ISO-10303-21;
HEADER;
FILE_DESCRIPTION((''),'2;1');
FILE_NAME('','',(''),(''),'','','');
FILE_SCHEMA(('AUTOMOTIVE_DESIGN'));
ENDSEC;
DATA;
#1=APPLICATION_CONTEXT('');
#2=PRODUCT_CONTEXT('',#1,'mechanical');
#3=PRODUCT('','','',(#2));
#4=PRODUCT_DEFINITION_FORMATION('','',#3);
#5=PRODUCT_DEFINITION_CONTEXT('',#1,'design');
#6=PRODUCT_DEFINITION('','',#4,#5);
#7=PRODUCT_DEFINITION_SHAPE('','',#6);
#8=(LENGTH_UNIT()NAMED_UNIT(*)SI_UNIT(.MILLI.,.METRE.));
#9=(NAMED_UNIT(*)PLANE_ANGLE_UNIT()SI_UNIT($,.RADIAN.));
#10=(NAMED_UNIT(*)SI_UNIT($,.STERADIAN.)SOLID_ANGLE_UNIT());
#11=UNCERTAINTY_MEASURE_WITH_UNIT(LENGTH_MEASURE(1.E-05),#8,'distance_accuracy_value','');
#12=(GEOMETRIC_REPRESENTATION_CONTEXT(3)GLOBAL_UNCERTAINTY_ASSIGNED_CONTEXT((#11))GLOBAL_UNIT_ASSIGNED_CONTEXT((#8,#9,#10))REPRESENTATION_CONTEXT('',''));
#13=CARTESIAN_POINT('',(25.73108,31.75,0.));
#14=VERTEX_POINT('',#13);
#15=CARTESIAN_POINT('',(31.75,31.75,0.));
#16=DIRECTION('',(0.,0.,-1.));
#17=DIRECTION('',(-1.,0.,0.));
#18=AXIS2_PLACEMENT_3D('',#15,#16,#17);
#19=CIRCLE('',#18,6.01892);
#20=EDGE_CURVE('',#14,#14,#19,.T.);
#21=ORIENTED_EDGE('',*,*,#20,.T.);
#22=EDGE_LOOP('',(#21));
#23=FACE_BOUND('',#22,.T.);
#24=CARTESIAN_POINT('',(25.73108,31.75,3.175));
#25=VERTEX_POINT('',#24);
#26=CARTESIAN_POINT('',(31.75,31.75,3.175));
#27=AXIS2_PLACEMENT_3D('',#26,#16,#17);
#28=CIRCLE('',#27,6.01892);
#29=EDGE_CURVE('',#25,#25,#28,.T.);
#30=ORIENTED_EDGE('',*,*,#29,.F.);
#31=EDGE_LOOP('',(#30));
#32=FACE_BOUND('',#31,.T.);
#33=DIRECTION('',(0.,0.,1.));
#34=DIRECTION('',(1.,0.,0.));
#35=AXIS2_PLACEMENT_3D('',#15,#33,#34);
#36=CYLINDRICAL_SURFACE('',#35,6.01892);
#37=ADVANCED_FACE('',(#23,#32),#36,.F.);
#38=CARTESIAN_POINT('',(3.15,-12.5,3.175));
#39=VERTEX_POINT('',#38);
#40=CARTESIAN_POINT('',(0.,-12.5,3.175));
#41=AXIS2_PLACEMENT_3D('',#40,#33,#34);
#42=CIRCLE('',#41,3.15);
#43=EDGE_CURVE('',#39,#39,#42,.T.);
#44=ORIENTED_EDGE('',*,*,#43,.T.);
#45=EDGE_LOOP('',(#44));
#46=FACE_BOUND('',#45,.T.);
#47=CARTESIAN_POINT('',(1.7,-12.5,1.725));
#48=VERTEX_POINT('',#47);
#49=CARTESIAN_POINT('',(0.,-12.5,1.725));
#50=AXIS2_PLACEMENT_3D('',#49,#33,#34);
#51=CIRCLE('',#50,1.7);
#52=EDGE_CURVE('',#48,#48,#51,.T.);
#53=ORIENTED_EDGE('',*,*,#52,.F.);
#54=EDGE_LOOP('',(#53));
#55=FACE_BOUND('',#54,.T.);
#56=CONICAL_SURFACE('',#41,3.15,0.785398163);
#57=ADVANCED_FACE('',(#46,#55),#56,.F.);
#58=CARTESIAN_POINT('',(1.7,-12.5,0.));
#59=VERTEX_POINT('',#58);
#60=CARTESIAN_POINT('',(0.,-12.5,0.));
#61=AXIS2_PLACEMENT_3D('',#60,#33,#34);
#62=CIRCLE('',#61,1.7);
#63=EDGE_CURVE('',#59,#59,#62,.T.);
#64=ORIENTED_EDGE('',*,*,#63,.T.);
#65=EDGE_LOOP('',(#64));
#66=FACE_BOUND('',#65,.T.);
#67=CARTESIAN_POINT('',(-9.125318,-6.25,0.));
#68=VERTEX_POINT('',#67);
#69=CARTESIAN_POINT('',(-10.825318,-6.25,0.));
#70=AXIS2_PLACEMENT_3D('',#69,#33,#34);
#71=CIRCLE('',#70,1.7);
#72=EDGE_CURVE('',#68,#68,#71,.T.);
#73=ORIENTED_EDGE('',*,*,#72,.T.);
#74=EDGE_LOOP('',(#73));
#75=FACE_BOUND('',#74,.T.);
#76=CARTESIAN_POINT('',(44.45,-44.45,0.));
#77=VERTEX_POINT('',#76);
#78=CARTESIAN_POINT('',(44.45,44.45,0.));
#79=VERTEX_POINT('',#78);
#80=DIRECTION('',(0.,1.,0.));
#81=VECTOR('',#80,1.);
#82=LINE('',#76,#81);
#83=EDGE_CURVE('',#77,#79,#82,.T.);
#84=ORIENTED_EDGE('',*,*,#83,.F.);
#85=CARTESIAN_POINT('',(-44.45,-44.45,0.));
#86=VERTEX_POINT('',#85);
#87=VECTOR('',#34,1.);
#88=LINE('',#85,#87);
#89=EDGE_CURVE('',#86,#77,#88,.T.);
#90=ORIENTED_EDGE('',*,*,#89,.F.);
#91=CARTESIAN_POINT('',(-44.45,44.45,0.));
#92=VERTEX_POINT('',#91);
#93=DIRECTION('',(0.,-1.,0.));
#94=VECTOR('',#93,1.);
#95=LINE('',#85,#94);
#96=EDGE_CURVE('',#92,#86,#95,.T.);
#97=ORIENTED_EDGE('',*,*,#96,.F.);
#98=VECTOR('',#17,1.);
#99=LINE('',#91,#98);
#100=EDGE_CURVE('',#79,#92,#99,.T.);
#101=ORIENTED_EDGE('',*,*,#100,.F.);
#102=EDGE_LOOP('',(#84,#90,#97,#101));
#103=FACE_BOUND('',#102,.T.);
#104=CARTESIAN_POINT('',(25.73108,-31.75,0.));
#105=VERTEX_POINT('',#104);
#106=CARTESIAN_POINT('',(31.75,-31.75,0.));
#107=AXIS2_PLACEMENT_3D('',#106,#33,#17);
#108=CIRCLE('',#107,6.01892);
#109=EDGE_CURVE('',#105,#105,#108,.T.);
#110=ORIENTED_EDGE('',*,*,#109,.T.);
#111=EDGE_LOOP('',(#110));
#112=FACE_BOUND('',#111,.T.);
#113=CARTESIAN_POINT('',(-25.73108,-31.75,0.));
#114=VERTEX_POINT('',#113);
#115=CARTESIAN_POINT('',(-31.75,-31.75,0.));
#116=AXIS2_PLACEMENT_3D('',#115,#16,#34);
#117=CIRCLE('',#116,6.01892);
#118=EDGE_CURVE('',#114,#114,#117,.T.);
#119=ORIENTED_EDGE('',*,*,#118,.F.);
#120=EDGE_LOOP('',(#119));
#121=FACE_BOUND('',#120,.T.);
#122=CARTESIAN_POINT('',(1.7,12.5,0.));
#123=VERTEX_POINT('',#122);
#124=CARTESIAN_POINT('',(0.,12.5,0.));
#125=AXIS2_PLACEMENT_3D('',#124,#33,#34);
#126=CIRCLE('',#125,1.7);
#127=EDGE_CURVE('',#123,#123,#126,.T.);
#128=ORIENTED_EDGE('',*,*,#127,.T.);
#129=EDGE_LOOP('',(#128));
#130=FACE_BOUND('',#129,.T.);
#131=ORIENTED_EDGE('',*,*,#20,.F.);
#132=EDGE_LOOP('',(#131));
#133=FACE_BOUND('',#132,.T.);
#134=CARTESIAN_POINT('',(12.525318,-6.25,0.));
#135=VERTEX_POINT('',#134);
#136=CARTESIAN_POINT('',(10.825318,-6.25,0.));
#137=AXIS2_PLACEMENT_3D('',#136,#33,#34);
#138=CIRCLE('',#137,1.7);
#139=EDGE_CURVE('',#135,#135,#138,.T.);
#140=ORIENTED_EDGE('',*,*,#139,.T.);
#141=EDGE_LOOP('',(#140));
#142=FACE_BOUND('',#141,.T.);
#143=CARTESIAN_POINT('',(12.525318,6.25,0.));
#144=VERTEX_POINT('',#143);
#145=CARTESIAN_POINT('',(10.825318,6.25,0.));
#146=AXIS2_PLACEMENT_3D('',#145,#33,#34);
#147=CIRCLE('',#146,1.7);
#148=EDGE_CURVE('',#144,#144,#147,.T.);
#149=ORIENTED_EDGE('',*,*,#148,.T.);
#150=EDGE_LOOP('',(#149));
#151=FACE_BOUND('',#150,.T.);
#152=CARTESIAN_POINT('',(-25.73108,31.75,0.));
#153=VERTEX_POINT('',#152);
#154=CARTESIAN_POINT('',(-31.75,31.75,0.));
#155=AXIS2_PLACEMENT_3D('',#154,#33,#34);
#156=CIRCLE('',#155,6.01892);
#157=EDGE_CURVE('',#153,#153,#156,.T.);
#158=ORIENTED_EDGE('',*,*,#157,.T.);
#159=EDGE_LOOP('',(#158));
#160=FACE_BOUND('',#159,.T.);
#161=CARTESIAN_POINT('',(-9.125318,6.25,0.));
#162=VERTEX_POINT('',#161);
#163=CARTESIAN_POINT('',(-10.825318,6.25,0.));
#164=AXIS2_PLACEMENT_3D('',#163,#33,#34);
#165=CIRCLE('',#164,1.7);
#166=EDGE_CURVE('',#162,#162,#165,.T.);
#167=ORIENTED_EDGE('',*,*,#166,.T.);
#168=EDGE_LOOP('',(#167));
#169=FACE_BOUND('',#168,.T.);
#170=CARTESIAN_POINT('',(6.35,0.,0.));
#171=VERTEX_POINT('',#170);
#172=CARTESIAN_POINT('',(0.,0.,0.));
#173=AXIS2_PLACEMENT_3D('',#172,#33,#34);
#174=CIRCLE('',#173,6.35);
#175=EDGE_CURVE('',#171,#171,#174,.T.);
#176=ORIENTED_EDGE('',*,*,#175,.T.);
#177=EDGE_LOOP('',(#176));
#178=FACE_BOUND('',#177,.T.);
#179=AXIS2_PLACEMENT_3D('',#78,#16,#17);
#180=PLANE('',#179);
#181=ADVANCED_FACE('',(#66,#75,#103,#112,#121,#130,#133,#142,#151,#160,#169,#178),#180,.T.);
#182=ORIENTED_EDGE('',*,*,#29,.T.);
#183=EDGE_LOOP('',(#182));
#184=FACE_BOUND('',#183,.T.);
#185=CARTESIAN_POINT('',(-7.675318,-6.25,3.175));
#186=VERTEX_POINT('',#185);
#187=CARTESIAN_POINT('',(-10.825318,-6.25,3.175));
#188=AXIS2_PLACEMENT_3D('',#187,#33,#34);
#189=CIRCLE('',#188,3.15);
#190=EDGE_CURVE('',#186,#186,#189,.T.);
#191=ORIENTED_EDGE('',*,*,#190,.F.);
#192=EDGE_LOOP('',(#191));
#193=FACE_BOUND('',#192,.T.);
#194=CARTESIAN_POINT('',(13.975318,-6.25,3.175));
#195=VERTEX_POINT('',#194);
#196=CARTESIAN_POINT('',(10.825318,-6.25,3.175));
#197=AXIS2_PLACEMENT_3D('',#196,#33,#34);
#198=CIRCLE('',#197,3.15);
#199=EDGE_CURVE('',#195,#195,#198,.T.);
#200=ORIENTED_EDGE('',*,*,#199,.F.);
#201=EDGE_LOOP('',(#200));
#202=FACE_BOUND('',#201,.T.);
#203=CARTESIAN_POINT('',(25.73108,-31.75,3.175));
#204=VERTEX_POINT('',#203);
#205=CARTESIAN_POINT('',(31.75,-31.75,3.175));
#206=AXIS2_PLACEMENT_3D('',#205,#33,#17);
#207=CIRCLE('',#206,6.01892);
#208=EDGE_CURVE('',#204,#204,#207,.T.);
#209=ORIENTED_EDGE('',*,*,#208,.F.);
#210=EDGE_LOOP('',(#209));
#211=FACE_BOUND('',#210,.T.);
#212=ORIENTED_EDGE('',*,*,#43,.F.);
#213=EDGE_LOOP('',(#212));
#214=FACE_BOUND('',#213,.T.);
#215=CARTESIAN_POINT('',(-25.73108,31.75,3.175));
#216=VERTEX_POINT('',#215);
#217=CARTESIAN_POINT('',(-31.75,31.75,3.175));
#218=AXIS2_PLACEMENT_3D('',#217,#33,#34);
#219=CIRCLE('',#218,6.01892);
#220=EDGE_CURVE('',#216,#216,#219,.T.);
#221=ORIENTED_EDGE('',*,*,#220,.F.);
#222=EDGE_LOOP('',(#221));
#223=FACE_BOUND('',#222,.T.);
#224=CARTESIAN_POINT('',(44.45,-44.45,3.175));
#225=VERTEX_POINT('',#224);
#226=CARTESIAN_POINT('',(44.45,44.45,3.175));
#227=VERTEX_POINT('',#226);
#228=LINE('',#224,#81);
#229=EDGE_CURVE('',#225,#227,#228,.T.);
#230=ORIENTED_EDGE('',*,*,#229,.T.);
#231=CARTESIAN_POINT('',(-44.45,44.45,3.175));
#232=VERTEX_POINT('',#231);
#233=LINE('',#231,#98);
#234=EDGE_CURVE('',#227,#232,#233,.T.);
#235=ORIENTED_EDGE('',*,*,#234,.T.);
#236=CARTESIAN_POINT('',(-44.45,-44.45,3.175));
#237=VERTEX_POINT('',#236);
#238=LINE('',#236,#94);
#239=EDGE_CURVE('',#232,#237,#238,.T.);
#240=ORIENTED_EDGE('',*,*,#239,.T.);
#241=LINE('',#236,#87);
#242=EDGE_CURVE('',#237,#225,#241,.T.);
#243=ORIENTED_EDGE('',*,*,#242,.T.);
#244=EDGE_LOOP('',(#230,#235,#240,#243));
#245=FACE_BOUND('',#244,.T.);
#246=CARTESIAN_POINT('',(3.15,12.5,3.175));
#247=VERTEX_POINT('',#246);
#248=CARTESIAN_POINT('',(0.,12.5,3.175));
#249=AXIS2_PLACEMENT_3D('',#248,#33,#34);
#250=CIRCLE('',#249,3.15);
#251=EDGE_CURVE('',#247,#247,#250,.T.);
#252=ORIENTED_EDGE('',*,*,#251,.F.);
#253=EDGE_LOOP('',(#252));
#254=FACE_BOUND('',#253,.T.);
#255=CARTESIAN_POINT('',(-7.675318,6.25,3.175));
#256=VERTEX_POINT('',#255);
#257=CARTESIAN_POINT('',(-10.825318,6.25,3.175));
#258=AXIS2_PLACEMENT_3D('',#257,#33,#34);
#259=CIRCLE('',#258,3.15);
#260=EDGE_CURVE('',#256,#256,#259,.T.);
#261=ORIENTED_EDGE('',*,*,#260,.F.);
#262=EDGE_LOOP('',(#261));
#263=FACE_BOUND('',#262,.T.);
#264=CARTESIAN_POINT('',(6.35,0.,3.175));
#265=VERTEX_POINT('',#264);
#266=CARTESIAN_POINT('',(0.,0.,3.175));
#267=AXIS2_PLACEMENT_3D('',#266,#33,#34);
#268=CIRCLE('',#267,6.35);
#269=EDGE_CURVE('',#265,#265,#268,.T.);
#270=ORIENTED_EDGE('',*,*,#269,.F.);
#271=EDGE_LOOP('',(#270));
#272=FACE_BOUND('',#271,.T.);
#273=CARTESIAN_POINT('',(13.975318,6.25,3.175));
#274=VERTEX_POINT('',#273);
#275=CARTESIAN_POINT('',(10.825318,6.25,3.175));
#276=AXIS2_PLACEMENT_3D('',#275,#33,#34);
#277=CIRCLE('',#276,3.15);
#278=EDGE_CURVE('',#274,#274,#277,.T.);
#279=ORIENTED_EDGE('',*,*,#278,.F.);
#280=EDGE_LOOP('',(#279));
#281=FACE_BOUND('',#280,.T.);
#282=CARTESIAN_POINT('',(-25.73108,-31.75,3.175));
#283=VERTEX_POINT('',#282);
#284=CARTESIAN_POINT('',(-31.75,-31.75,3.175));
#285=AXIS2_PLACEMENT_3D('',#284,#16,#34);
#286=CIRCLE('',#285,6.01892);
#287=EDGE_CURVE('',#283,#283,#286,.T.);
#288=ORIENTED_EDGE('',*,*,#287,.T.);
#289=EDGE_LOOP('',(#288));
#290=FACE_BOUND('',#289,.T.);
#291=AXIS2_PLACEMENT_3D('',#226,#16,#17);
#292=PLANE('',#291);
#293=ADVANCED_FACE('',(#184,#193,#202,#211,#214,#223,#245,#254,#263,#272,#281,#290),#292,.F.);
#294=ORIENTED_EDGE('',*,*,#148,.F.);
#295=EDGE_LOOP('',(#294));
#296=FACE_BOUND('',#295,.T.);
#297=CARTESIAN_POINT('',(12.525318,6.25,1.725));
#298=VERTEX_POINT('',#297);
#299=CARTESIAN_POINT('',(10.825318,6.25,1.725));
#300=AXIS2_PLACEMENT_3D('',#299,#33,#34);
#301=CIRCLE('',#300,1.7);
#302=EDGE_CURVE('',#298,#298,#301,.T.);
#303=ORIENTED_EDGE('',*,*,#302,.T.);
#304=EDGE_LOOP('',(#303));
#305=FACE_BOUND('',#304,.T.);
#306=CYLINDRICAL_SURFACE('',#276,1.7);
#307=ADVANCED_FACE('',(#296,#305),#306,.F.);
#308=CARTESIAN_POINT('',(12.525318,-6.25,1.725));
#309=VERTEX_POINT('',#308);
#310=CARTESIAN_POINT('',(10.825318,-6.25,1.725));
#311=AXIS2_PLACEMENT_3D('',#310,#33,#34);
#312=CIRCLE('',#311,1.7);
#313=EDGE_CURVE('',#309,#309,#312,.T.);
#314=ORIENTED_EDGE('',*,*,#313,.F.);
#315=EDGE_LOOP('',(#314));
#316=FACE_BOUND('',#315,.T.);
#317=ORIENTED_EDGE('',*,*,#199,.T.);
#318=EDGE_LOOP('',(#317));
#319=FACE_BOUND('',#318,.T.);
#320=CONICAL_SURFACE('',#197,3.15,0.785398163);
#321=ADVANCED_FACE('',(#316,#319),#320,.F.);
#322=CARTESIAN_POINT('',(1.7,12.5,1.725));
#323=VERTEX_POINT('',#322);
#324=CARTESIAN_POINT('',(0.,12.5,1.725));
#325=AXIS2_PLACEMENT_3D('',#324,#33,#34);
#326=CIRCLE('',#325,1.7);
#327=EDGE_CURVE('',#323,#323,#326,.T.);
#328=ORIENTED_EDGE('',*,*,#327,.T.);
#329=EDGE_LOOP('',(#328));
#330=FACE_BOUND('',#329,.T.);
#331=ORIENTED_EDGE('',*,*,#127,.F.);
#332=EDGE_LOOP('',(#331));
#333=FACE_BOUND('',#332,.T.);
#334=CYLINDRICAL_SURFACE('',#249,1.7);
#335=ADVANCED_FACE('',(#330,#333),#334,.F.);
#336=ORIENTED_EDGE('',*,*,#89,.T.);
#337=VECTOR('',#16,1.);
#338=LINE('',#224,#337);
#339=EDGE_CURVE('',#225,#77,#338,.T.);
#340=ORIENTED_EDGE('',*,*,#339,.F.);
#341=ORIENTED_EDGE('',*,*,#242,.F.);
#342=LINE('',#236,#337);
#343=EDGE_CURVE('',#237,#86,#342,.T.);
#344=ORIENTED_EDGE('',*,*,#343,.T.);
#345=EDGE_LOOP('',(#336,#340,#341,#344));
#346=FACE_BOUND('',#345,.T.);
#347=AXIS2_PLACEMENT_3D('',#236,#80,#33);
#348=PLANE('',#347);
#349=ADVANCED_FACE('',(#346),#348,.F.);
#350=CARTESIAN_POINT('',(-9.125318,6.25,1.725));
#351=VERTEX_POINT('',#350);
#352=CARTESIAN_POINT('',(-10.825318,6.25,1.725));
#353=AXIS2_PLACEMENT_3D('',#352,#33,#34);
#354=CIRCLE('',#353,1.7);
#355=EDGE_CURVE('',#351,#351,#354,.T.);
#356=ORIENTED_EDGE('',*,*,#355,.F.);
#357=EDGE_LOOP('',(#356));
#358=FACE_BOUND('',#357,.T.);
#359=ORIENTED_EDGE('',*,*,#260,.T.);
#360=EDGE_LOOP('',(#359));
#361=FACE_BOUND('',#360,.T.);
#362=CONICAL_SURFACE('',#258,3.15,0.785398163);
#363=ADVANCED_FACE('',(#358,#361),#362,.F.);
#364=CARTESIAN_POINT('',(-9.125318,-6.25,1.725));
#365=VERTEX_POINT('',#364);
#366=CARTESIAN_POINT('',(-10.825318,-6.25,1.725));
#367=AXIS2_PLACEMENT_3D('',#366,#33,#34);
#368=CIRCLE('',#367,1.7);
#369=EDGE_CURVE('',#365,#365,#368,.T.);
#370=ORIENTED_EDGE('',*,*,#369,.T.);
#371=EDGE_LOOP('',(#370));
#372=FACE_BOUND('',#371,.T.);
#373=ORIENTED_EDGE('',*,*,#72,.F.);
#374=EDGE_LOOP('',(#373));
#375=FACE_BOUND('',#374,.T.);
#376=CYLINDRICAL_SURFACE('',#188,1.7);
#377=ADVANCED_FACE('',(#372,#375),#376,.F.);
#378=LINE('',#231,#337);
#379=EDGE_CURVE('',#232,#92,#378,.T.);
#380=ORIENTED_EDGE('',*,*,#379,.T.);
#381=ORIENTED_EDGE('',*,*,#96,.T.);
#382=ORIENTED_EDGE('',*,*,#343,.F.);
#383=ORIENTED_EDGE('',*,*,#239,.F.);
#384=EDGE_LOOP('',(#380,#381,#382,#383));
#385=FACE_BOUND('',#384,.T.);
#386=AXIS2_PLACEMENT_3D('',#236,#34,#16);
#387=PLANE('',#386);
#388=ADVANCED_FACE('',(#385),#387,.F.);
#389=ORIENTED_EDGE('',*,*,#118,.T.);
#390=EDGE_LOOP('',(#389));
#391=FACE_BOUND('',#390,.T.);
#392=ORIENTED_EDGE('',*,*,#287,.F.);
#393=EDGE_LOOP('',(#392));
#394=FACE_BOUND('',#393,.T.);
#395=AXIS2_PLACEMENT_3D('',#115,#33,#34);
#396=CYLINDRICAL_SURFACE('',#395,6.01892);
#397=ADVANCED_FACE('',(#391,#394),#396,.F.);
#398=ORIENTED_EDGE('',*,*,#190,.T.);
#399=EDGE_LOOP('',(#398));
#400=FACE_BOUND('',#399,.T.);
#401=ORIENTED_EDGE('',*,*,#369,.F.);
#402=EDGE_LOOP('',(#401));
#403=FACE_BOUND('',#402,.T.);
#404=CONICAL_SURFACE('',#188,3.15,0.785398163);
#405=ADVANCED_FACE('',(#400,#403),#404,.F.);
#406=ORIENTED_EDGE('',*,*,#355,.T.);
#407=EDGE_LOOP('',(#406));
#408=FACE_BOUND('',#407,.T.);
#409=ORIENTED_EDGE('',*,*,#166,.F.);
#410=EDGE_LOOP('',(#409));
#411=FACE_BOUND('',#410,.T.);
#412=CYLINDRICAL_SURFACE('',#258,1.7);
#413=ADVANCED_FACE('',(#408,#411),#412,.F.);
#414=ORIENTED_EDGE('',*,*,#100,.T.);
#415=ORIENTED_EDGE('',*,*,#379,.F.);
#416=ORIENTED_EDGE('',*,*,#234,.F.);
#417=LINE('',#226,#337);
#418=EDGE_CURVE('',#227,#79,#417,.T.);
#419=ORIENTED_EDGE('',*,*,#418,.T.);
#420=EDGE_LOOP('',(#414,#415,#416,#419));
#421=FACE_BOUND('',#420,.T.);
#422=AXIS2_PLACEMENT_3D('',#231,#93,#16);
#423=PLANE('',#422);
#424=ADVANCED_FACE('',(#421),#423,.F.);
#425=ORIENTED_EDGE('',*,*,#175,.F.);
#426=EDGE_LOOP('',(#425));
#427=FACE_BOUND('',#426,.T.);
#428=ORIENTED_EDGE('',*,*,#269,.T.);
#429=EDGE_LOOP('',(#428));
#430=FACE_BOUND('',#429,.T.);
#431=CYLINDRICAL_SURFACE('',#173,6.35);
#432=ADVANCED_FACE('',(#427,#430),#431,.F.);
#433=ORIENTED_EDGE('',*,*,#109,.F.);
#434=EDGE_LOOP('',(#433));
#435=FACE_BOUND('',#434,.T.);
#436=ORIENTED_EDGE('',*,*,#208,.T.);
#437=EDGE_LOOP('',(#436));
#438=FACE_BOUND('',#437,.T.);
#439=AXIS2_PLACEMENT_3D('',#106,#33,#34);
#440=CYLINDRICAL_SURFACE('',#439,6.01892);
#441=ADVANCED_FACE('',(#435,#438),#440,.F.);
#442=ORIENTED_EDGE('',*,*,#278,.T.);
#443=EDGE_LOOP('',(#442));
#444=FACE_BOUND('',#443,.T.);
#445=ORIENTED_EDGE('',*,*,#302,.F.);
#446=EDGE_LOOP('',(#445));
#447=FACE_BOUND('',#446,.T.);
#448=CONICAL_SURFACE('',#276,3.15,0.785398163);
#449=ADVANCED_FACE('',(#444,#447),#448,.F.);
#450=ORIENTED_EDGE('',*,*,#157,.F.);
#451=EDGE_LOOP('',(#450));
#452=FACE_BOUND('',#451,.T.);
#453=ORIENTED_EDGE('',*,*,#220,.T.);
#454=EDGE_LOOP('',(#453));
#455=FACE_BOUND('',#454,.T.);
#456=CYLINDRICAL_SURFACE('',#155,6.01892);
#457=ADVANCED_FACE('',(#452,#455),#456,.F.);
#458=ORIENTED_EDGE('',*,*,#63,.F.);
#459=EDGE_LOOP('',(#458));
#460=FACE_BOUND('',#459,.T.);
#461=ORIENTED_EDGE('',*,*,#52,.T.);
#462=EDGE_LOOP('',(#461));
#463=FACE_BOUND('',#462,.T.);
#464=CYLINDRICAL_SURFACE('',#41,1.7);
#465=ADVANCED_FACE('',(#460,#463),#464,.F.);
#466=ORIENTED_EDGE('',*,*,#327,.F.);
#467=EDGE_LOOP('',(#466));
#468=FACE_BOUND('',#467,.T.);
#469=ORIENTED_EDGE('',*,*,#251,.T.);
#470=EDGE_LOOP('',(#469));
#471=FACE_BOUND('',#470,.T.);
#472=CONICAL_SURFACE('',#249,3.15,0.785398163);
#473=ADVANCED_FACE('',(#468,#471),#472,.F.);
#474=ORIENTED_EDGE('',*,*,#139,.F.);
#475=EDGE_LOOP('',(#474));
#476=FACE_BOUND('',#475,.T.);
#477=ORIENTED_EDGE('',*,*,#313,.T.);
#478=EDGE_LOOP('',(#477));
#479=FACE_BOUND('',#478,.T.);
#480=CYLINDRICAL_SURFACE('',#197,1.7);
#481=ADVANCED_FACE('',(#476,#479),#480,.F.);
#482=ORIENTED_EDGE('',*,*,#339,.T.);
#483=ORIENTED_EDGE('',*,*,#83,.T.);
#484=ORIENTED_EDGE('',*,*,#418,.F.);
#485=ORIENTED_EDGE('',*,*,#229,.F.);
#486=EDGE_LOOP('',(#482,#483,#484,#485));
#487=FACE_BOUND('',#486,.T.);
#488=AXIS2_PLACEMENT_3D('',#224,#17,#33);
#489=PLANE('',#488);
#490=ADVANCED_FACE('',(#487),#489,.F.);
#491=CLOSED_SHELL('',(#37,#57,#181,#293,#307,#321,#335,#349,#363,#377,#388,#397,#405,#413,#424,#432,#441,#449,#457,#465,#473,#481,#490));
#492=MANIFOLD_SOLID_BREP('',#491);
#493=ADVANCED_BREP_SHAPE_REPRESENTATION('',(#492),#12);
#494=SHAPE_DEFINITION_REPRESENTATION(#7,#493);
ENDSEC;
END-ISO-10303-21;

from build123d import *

# Parameters (mm, degrees)
SKETCH1_W                                       = 88.9
SKETCH1_H                                       = 88.9
BOSS_EXTRUDE1_DEPTH                             = 3.175
SKETCH3_R                                       = 6.018919743
CUT_EXTRUDE1_DEPTH                              = 4.175
MIRROR2_COPY_1_SKETCH_R                         = 6.018919743
MIRROR2_COPY_1_DEPTH                            = 4.175
SKETCH4_R                                       = 6.35
CUT_EXTRUDE2_DEPTH                              = 4.175
CSK_FOR_M3_FLAT_HEAD_MACHINE_SCREW1_D           = 3.4
CSK_FOR_M3_FLAT_HEAD_MACHINE_SCREW1_CSINK_D     = 6.3
CSK_FOR_M3_FLAT_HEAD_MACHINE_SCREW1_CSINK_ANGLE = 90
CIRPATTERN1_COUNT                               = 6


with BuildPart() as part:
    # Sketch1 → Boss-Extrude1 (new body)
    with BuildSketch(Plane.XY):
        Rectangle(SKETCH1_W, SKETCH1_H)
    extrude(amount=BOSS_EXTRUDE1_DEPTH)

    # Sketch3 → Cut-Extrude1 (cut, through all)
    with BuildSketch(Plane.XY.offset(3.175)):
        with Locations((-31.75, 31.75)):
            Circle(SKETCH3_R)
    cut_extrude1 = extrude(amount=-CUT_EXTRUDE1_DEPTH, mode=Mode.SUBTRACT)

    # Mirror1: Cut-Extrude1 across plane
    add(cut_extrude1.mirror(Plane(origin=(0, 0, 0), x_dir=(0, 0, 1), z_dir=(1, 0, 0))), mode=Mode.SUBTRACT)

    # Mirror2: Cut-Extrude1 across plane
    add(cut_extrude1.mirror(Plane.ZX), mode=Mode.SUBTRACT)

    # Mirror2 copy 1 sketch → Mirror2 copy 1 (cut, through all)
    with BuildSketch(Plane(origin=(0, 0, 3.175), x_dir=(-1, 0, 0), z_dir=(0, 0, 1))):
        with Locations((-31.75, 31.75)):
            Circle(MIRROR2_COPY_1_SKETCH_R)
    extrude(amount=-MIRROR2_COPY_1_DEPTH, mode=Mode.SUBTRACT)

    # Sketch4 → Cut-Extrude2 (cut, through all)
    with BuildSketch(Plane.XY.offset(3.175)):
        Circle(SKETCH4_R)
    extrude(amount=-CUT_EXTRUDE2_DEPTH, mode=Mode.SUBTRACT)

    # CSK for M3 Flat Head Machine Screw1 (through all)
    with Locations(Plane.XY.offset(3.175)):
        with Locations((0, 12.5)):
            csk_for_m3_flat_head_machine_screw1 = CounterSinkHole(CSK_FOR_M3_FLAT_HEAD_MACHINE_SCREW1_D / 2, CSK_FOR_M3_FLAT_HEAD_MACHINE_SCREW1_CSINK_D / 2, counter_sink_angle=CSK_FOR_M3_FLAT_HEAD_MACHINE_SCREW1_CSINK_ANGLE)

    # CirPattern1: CSK for M3 Flat Head Machine Screw1 ×6 about axis
    cirpattern1_axis = Axis((0, 0, 0), (0, 0, 1))
    for i in range(1, CIRPATTERN1_COUNT):
        add(csk_for_m3_flat_head_machine_screw1.rotate(cirpattern1_axis, i * 360 / CIRPATTERN1_COUNT), mode=Mode.SUBTRACT)


solid = part.part
